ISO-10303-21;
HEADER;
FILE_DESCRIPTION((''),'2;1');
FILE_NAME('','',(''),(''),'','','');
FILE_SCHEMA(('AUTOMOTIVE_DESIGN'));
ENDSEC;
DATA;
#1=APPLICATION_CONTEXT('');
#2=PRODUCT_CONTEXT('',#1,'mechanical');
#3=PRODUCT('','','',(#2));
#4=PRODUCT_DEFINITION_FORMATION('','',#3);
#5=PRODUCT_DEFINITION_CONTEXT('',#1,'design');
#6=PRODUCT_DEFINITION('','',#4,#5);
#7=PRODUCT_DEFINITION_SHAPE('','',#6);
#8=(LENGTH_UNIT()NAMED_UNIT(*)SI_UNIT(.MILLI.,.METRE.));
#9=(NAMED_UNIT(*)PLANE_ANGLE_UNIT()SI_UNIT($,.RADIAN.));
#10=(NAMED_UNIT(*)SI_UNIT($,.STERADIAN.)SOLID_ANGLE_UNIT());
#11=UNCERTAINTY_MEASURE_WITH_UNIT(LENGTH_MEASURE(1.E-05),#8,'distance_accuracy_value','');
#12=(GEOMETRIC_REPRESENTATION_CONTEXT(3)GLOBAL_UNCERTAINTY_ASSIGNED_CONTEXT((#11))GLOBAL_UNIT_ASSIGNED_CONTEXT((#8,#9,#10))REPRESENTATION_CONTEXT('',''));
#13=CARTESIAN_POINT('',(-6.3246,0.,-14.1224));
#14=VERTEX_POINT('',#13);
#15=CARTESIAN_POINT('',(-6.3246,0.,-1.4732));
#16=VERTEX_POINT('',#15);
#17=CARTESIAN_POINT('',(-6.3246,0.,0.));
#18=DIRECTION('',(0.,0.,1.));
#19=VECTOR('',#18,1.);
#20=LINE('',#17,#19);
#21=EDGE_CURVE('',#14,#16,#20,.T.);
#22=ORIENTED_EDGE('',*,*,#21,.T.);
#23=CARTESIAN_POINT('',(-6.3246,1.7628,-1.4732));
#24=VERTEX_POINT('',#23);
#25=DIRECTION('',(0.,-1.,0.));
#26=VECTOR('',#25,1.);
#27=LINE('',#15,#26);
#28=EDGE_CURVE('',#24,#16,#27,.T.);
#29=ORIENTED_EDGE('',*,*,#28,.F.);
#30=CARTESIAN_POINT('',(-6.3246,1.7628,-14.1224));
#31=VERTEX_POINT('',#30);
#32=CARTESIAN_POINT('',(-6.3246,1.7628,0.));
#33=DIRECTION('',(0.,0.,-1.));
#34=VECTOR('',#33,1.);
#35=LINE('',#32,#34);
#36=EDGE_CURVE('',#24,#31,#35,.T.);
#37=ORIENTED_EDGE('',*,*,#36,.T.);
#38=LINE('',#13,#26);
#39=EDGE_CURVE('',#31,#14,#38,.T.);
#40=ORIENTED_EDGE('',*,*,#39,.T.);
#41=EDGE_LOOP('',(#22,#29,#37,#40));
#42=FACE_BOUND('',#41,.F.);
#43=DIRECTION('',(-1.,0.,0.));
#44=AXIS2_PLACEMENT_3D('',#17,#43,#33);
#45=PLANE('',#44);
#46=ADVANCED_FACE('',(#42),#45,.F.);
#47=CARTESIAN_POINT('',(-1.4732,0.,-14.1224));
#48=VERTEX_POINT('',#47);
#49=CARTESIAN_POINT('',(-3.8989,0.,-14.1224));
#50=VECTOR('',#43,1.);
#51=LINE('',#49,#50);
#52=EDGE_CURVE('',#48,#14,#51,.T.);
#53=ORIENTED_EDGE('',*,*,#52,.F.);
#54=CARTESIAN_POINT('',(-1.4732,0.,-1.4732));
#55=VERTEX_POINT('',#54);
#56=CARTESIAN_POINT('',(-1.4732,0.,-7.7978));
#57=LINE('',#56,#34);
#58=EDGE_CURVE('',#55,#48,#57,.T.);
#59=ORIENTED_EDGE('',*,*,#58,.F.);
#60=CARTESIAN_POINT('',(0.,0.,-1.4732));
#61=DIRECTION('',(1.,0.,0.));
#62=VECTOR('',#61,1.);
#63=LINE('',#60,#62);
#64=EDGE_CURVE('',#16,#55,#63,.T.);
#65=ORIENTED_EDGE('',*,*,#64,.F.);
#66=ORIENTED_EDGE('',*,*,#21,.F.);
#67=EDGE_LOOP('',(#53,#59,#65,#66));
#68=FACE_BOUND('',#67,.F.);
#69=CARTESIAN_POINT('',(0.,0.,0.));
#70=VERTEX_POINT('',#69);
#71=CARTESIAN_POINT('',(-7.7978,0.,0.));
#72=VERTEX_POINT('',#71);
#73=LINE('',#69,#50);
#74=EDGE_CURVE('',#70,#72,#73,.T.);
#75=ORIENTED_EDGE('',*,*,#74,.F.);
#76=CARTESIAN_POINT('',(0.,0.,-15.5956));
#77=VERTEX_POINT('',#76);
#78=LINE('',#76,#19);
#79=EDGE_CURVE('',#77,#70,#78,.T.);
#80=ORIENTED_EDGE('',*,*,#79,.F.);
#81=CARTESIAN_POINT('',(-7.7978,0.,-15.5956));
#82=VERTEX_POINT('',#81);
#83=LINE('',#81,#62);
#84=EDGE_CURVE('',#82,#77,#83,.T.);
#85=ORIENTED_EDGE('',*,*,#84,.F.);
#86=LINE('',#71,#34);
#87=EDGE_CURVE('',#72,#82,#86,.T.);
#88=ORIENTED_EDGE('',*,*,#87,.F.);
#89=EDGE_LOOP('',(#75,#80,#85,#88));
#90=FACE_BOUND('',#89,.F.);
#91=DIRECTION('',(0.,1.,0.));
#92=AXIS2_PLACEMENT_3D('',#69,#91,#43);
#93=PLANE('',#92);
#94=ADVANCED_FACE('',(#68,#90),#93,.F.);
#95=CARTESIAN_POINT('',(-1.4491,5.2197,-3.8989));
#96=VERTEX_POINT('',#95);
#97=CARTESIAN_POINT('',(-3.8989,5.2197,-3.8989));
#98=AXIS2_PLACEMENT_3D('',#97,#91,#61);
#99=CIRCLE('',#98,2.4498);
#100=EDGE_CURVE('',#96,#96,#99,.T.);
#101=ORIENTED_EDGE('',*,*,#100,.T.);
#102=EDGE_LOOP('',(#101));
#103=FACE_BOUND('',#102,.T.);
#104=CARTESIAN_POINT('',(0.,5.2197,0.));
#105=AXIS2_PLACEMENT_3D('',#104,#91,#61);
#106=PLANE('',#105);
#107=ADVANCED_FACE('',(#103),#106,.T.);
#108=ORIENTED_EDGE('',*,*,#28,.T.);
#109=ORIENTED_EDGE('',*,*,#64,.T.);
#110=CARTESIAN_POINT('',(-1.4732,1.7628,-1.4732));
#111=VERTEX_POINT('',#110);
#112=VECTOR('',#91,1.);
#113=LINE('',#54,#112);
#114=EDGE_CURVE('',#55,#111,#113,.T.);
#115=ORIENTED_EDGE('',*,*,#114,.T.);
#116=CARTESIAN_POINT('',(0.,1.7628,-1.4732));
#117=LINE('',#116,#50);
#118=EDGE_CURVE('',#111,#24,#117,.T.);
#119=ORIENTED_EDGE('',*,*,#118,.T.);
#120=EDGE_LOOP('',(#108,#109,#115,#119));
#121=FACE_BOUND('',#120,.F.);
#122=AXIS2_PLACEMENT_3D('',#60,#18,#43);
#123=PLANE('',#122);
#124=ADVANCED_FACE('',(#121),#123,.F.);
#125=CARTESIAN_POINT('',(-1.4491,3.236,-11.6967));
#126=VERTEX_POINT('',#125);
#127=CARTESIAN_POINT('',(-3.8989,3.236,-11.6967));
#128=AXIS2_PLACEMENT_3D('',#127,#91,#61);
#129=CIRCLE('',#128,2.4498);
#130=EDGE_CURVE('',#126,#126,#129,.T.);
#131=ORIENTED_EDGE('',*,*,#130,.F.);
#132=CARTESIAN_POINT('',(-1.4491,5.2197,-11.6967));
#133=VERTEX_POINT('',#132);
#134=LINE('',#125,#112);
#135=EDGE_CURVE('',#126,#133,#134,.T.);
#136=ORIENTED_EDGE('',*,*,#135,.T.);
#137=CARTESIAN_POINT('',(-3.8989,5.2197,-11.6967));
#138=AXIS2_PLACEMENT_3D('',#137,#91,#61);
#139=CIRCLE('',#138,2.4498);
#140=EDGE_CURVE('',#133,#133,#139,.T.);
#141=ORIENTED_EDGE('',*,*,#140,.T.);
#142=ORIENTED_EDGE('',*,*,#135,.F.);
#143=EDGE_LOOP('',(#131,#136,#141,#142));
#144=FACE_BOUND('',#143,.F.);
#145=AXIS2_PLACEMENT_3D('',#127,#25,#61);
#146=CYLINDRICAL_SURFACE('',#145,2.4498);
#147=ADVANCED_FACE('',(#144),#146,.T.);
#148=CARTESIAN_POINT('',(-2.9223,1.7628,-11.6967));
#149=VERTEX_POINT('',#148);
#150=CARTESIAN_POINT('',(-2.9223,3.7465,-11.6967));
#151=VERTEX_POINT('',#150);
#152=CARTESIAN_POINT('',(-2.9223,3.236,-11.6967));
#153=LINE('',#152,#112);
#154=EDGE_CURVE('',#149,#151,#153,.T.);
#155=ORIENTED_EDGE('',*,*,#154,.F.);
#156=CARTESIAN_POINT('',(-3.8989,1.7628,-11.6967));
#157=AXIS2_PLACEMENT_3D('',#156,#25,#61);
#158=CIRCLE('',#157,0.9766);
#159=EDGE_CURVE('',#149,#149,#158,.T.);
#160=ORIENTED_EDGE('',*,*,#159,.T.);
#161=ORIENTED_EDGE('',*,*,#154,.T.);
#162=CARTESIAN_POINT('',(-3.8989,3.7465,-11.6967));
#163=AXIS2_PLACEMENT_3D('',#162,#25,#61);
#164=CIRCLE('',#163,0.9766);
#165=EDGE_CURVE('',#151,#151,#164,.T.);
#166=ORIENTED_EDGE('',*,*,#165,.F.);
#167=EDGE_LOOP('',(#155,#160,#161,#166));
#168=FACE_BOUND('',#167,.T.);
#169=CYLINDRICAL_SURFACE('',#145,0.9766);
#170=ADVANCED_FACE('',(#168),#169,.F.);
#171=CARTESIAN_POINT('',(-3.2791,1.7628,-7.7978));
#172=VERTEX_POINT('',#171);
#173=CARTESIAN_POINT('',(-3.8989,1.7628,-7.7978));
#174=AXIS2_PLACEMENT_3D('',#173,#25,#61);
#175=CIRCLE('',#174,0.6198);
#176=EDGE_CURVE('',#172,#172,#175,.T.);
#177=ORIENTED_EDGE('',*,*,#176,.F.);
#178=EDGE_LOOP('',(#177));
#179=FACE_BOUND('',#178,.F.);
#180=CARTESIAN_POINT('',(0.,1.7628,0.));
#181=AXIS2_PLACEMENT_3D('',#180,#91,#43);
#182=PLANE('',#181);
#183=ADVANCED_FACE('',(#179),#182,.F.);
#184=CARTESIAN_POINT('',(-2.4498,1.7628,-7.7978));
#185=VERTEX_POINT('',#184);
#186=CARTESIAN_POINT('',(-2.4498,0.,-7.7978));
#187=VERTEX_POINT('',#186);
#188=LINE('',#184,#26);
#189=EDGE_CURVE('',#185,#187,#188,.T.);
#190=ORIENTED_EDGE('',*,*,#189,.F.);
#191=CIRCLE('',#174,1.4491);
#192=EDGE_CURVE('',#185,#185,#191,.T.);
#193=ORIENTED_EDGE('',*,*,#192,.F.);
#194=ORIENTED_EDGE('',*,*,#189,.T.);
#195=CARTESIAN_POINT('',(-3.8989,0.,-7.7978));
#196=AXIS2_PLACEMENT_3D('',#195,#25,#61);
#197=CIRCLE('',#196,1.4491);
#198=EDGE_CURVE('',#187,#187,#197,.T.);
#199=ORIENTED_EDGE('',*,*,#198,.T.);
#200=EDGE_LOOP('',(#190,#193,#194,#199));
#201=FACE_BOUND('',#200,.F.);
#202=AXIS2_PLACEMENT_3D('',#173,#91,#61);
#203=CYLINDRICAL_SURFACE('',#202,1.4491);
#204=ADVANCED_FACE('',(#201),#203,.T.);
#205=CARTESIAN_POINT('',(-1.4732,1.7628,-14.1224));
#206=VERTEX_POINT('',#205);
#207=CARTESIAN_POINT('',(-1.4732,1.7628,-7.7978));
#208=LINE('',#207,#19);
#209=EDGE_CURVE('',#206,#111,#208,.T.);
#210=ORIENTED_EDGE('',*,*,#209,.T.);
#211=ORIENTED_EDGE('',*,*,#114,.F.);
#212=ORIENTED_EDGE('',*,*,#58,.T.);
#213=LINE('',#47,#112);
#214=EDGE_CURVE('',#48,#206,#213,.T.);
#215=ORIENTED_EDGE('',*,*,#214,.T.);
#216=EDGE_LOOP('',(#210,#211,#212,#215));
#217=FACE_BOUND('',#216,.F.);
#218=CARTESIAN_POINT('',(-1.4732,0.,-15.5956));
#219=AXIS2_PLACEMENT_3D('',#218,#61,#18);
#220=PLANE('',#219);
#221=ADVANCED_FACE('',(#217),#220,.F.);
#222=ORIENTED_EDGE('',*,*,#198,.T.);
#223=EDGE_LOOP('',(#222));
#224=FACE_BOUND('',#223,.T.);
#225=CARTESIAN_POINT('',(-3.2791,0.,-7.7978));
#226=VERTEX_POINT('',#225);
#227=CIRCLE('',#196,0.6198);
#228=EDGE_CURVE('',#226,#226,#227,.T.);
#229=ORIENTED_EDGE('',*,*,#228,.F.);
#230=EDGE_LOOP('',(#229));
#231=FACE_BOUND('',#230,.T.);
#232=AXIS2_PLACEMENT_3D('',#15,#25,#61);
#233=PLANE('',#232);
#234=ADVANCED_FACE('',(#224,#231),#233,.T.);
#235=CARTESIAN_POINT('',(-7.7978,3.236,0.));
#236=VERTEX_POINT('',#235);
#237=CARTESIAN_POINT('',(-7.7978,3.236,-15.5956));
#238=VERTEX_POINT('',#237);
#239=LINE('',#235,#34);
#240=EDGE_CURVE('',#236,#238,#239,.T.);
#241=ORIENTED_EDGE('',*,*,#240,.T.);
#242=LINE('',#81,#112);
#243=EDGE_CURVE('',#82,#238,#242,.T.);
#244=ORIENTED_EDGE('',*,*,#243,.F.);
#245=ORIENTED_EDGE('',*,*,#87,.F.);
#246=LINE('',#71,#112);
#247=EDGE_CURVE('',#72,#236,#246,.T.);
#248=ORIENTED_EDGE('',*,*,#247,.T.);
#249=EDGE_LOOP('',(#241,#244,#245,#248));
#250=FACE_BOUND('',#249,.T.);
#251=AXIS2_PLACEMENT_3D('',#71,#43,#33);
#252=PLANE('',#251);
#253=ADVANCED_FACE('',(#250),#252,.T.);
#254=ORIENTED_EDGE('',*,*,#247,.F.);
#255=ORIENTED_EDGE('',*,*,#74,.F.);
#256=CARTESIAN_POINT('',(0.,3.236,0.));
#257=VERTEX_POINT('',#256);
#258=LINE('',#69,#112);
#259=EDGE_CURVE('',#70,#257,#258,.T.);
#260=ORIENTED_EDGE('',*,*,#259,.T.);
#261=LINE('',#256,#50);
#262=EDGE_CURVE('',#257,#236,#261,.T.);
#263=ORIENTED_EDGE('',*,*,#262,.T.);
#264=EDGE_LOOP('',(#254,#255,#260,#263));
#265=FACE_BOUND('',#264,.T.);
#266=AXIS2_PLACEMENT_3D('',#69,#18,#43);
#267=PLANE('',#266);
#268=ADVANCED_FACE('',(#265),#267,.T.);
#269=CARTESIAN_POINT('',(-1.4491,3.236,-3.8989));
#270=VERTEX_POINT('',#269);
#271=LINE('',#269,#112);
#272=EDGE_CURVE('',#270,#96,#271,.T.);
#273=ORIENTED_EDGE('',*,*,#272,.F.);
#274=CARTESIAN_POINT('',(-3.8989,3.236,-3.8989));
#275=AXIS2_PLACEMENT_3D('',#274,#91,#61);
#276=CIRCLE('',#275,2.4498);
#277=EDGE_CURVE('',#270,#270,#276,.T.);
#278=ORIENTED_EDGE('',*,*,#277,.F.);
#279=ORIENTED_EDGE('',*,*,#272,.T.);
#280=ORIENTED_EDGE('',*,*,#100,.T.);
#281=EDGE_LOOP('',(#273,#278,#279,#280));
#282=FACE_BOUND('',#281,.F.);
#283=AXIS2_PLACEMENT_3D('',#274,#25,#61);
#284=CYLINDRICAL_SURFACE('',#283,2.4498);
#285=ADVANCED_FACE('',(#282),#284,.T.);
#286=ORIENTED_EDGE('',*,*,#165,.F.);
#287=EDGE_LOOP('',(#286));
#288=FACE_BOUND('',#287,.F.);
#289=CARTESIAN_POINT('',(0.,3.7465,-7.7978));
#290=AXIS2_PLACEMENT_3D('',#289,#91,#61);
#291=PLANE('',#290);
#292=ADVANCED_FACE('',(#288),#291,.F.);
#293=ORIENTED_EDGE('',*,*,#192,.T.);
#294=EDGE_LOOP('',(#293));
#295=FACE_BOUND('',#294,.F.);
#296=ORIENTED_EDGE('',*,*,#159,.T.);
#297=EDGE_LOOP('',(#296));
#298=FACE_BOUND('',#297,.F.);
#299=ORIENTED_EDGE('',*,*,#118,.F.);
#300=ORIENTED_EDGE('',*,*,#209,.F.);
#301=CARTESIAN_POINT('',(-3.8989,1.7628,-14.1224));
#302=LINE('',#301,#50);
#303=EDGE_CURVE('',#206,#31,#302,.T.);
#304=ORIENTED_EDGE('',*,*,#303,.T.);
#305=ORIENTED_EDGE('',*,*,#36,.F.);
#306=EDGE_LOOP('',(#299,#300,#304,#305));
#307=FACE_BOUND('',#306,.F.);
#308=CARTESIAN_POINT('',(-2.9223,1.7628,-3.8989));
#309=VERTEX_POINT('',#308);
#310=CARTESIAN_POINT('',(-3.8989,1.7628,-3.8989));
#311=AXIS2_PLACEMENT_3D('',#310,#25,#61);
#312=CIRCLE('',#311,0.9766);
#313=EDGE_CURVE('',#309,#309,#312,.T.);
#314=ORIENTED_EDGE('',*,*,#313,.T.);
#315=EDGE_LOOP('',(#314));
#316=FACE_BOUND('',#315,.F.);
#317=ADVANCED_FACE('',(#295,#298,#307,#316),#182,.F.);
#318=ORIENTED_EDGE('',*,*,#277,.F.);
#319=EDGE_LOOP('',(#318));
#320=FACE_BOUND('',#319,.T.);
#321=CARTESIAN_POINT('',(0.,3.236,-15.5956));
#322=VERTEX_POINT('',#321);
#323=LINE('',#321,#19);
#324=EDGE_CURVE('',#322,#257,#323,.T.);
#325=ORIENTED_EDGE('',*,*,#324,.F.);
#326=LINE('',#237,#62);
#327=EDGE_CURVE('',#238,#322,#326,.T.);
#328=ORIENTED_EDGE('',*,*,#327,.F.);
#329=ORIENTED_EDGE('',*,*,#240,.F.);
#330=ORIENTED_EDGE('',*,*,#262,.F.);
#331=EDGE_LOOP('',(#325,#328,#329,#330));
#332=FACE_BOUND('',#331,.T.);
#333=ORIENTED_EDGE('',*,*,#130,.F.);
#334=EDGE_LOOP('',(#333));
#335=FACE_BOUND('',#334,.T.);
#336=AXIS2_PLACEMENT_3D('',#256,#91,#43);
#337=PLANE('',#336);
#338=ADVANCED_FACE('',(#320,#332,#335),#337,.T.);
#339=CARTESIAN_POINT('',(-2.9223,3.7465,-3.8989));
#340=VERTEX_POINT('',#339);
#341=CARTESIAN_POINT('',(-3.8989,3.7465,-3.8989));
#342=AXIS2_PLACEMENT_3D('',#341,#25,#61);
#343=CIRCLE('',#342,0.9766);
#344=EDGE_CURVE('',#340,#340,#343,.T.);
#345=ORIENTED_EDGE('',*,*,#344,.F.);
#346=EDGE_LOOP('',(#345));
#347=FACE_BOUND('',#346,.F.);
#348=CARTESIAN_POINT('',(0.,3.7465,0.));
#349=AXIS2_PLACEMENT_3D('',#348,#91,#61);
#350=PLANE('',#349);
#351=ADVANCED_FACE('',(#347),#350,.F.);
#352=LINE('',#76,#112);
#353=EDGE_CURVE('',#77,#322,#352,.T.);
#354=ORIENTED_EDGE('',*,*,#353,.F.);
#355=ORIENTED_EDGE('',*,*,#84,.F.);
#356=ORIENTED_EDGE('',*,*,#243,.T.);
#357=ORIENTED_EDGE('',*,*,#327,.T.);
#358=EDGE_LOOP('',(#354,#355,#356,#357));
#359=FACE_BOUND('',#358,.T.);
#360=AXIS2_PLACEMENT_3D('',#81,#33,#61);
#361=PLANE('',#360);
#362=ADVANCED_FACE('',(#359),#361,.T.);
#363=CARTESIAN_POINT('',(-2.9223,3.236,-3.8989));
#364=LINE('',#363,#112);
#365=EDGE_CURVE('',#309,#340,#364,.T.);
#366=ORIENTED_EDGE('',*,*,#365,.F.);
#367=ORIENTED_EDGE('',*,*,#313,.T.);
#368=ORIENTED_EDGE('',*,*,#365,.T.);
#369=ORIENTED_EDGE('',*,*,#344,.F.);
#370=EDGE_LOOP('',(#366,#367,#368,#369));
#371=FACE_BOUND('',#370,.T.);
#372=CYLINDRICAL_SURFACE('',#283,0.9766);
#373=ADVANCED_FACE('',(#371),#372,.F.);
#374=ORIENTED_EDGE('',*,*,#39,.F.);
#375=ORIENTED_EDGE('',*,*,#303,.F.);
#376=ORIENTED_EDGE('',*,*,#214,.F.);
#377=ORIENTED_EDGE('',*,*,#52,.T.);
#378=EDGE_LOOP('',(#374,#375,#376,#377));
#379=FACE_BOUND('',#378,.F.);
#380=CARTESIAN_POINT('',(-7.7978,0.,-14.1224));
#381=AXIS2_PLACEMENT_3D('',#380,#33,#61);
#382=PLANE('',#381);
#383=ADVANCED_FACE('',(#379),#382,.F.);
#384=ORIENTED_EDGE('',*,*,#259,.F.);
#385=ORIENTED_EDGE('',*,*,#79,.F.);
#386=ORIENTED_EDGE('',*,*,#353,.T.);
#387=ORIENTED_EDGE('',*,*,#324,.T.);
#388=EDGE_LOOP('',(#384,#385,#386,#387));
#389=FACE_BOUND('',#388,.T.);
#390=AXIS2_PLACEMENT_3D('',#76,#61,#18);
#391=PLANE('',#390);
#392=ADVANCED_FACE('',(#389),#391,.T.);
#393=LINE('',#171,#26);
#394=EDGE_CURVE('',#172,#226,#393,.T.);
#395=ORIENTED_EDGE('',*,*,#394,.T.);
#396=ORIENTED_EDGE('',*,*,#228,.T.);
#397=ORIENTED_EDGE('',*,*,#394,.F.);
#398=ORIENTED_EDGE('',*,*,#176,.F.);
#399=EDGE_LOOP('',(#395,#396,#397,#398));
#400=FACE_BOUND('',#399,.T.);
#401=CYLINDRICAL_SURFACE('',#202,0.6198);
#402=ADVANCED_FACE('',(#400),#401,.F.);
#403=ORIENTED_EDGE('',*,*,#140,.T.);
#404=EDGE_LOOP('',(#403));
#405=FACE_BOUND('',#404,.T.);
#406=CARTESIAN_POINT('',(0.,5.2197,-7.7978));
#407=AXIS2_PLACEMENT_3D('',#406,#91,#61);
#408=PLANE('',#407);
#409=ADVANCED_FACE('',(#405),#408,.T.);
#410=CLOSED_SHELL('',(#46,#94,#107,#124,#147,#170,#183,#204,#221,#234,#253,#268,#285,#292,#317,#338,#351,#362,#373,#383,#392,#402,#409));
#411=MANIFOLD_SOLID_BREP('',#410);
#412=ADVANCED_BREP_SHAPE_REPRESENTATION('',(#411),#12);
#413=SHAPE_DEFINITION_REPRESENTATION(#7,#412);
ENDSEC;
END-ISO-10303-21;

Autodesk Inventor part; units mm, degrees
ref_plane "YZ Plane" through (0, 0, 0) normal (1, 0, 0) x (0, 1, 0)
ref_plane "XZ Plane" through (0, 0, 0) normal (0, 1, 0) x (-1, 0, 0)
ref_plane "XY Plane" through (0, 0, 0) normal (0, 0, 1) x (1, 0, 0)
sketch "Sketch1" plane through (0, 0, 0) normal (0, 1, 0) x (-1, 0, 0)
  line L0 (0, 0) -> (7.7978, 0)
  line L1 (7.7978, 0) -> (7.7978, -15.5956)
  line L2 (7.7978, -15.5956) -> (0, -15.5956)
  line L3 (0, -15.5956) -> (0, 0)
  dimension "d0" = 7.7978
  dimension "d1" = 15.5956
extrude "Extrusion1" add sketch "Sketch1" along normal blind 3.236
sketch "Sketch2" plane through (0, 3.236, 0) normal (0, 1, 0) x (1, 0, 0)
  line L0 (0, 0) -> (-3.8989, 0) construction
  line L1 (-3.8989, 0) -> (-3.8989, 3.8989) construction
  line L2 (-3.8989, 3.8989) -> (0, 3.8989) construction
  line L3 (0, 3.8989) -> (0, 0) construction
  circle A0 centre (-3.8989, 3.8989) radius 2.4498
  dimension "d4" = 3.8989
  dimension "d5" = 3.8989
  dimension "d6" = 4.8997
extrude "Extrusion2" add sketch "Sketch2" along normal blind 1.9837
pattern_linear "Rectangular Pattern1" count 2 spacing 7.7978 along (0, 0, -1) of "Extrusion2"
shell "Shell1" thickness 1.4732 removed faces 1 at (-2.5993, 0, -5.1985)
sketch "Sketch3" plane through (-6.3246, 1.7628, -1.4732) normal (0, -1, 0) x (1, 0, 0)
  circle A0 centre (2.4257, -2.4257) radius 2.4498 construction
  circle A1 centre (2.4257, -10.2235) radius 2.4498 construction
  circle A2 centre (2.4257, -2.4257) radius 0.9766 construction
  line L0 (2.4257, -2.4257) -> (2.4257, -10.2235) construction
  circle A3 centre (2.4257, -6.3246) radius 0.6198
  circle A4 centre (2.4257, -6.3246) radius 1.4491
  point P0 (6.3246, 1.4732)
  dimension "d13" = 1.2395
extrude "Extrusion3" add sketch "Sketch3" along normal up to surface (1.7628 mm away)
properties part number "1x2 short orange pegged" material "ABS Plastic"
